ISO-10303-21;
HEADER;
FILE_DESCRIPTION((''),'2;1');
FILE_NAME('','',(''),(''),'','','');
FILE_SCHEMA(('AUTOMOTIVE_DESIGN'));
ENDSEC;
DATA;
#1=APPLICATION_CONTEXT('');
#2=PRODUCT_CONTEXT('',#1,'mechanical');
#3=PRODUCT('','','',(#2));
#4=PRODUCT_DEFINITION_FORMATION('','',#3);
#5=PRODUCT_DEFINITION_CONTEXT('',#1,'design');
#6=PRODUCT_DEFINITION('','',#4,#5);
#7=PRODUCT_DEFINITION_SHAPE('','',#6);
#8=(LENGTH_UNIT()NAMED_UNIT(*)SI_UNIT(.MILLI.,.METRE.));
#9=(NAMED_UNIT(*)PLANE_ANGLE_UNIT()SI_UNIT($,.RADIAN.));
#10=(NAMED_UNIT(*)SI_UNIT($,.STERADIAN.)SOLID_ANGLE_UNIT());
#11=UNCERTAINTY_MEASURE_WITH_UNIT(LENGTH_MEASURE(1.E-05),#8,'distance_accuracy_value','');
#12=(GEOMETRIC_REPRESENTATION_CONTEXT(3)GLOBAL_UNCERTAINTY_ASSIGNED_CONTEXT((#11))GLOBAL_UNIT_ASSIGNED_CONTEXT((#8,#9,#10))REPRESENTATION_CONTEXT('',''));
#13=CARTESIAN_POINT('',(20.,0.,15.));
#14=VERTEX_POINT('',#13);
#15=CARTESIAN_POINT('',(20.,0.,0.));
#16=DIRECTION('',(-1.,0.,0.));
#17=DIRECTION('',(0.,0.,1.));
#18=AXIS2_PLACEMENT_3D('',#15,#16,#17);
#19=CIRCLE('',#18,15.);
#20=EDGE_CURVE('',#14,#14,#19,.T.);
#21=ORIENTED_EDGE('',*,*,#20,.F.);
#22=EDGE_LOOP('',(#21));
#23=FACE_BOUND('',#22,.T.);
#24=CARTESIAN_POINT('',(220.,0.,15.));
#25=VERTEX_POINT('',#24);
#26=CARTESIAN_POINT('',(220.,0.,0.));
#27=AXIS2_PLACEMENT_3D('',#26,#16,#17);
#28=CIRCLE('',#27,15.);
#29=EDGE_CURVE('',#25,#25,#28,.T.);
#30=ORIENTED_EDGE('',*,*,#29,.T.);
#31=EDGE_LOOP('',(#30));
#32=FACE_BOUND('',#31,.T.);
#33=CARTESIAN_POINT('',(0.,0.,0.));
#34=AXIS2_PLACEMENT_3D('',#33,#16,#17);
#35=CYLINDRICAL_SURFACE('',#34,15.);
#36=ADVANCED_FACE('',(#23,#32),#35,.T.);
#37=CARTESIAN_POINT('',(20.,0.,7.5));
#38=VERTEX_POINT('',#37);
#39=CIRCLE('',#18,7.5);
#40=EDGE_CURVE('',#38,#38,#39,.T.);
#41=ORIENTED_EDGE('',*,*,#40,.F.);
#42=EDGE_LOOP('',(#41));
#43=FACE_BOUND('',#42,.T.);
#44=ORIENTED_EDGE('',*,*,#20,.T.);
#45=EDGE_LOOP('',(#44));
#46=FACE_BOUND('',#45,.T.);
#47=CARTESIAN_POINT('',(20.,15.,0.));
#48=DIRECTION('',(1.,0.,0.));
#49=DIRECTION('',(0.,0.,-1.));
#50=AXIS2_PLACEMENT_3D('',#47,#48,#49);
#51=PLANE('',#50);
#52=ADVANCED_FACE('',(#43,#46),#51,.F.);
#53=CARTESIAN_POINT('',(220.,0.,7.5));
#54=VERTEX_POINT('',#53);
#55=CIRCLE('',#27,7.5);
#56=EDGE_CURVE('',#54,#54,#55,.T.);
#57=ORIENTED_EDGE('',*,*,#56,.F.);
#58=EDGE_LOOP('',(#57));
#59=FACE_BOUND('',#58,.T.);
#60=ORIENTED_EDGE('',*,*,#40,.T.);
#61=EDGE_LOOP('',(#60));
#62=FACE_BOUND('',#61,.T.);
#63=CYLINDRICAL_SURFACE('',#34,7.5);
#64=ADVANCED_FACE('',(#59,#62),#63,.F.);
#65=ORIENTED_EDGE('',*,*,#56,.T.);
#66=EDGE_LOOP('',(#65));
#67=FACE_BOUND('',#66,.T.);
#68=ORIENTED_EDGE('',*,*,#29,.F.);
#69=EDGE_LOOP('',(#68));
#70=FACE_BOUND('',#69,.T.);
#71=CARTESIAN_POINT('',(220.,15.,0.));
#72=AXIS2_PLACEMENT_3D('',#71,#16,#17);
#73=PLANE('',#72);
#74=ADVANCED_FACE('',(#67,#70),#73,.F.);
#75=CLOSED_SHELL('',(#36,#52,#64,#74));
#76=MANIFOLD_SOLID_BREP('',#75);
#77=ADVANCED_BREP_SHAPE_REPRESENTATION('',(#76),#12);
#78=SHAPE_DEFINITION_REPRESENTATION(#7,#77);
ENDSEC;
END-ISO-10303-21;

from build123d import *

# Parameters (mm, degrees)
SKETCH1_W = 200
SKETCH1_H = 7.5


with BuildPart() as part:
    # Sketch1 → Revolve1 (revolve)
    with BuildSketch(Plane.XY, mode=Mode.PRIVATE) as revolve1_sk:
        with Locations((120, 11.25)):
            Rectangle(SKETCH1_W, SKETCH1_H)
    revolve(revolve1_sk.sketch.rotate(Axis((0, 0, 0), (1, 0, 0)), 90), axis=Axis((0, 0, 0), (1, 0, 0)))


solid = part.part
